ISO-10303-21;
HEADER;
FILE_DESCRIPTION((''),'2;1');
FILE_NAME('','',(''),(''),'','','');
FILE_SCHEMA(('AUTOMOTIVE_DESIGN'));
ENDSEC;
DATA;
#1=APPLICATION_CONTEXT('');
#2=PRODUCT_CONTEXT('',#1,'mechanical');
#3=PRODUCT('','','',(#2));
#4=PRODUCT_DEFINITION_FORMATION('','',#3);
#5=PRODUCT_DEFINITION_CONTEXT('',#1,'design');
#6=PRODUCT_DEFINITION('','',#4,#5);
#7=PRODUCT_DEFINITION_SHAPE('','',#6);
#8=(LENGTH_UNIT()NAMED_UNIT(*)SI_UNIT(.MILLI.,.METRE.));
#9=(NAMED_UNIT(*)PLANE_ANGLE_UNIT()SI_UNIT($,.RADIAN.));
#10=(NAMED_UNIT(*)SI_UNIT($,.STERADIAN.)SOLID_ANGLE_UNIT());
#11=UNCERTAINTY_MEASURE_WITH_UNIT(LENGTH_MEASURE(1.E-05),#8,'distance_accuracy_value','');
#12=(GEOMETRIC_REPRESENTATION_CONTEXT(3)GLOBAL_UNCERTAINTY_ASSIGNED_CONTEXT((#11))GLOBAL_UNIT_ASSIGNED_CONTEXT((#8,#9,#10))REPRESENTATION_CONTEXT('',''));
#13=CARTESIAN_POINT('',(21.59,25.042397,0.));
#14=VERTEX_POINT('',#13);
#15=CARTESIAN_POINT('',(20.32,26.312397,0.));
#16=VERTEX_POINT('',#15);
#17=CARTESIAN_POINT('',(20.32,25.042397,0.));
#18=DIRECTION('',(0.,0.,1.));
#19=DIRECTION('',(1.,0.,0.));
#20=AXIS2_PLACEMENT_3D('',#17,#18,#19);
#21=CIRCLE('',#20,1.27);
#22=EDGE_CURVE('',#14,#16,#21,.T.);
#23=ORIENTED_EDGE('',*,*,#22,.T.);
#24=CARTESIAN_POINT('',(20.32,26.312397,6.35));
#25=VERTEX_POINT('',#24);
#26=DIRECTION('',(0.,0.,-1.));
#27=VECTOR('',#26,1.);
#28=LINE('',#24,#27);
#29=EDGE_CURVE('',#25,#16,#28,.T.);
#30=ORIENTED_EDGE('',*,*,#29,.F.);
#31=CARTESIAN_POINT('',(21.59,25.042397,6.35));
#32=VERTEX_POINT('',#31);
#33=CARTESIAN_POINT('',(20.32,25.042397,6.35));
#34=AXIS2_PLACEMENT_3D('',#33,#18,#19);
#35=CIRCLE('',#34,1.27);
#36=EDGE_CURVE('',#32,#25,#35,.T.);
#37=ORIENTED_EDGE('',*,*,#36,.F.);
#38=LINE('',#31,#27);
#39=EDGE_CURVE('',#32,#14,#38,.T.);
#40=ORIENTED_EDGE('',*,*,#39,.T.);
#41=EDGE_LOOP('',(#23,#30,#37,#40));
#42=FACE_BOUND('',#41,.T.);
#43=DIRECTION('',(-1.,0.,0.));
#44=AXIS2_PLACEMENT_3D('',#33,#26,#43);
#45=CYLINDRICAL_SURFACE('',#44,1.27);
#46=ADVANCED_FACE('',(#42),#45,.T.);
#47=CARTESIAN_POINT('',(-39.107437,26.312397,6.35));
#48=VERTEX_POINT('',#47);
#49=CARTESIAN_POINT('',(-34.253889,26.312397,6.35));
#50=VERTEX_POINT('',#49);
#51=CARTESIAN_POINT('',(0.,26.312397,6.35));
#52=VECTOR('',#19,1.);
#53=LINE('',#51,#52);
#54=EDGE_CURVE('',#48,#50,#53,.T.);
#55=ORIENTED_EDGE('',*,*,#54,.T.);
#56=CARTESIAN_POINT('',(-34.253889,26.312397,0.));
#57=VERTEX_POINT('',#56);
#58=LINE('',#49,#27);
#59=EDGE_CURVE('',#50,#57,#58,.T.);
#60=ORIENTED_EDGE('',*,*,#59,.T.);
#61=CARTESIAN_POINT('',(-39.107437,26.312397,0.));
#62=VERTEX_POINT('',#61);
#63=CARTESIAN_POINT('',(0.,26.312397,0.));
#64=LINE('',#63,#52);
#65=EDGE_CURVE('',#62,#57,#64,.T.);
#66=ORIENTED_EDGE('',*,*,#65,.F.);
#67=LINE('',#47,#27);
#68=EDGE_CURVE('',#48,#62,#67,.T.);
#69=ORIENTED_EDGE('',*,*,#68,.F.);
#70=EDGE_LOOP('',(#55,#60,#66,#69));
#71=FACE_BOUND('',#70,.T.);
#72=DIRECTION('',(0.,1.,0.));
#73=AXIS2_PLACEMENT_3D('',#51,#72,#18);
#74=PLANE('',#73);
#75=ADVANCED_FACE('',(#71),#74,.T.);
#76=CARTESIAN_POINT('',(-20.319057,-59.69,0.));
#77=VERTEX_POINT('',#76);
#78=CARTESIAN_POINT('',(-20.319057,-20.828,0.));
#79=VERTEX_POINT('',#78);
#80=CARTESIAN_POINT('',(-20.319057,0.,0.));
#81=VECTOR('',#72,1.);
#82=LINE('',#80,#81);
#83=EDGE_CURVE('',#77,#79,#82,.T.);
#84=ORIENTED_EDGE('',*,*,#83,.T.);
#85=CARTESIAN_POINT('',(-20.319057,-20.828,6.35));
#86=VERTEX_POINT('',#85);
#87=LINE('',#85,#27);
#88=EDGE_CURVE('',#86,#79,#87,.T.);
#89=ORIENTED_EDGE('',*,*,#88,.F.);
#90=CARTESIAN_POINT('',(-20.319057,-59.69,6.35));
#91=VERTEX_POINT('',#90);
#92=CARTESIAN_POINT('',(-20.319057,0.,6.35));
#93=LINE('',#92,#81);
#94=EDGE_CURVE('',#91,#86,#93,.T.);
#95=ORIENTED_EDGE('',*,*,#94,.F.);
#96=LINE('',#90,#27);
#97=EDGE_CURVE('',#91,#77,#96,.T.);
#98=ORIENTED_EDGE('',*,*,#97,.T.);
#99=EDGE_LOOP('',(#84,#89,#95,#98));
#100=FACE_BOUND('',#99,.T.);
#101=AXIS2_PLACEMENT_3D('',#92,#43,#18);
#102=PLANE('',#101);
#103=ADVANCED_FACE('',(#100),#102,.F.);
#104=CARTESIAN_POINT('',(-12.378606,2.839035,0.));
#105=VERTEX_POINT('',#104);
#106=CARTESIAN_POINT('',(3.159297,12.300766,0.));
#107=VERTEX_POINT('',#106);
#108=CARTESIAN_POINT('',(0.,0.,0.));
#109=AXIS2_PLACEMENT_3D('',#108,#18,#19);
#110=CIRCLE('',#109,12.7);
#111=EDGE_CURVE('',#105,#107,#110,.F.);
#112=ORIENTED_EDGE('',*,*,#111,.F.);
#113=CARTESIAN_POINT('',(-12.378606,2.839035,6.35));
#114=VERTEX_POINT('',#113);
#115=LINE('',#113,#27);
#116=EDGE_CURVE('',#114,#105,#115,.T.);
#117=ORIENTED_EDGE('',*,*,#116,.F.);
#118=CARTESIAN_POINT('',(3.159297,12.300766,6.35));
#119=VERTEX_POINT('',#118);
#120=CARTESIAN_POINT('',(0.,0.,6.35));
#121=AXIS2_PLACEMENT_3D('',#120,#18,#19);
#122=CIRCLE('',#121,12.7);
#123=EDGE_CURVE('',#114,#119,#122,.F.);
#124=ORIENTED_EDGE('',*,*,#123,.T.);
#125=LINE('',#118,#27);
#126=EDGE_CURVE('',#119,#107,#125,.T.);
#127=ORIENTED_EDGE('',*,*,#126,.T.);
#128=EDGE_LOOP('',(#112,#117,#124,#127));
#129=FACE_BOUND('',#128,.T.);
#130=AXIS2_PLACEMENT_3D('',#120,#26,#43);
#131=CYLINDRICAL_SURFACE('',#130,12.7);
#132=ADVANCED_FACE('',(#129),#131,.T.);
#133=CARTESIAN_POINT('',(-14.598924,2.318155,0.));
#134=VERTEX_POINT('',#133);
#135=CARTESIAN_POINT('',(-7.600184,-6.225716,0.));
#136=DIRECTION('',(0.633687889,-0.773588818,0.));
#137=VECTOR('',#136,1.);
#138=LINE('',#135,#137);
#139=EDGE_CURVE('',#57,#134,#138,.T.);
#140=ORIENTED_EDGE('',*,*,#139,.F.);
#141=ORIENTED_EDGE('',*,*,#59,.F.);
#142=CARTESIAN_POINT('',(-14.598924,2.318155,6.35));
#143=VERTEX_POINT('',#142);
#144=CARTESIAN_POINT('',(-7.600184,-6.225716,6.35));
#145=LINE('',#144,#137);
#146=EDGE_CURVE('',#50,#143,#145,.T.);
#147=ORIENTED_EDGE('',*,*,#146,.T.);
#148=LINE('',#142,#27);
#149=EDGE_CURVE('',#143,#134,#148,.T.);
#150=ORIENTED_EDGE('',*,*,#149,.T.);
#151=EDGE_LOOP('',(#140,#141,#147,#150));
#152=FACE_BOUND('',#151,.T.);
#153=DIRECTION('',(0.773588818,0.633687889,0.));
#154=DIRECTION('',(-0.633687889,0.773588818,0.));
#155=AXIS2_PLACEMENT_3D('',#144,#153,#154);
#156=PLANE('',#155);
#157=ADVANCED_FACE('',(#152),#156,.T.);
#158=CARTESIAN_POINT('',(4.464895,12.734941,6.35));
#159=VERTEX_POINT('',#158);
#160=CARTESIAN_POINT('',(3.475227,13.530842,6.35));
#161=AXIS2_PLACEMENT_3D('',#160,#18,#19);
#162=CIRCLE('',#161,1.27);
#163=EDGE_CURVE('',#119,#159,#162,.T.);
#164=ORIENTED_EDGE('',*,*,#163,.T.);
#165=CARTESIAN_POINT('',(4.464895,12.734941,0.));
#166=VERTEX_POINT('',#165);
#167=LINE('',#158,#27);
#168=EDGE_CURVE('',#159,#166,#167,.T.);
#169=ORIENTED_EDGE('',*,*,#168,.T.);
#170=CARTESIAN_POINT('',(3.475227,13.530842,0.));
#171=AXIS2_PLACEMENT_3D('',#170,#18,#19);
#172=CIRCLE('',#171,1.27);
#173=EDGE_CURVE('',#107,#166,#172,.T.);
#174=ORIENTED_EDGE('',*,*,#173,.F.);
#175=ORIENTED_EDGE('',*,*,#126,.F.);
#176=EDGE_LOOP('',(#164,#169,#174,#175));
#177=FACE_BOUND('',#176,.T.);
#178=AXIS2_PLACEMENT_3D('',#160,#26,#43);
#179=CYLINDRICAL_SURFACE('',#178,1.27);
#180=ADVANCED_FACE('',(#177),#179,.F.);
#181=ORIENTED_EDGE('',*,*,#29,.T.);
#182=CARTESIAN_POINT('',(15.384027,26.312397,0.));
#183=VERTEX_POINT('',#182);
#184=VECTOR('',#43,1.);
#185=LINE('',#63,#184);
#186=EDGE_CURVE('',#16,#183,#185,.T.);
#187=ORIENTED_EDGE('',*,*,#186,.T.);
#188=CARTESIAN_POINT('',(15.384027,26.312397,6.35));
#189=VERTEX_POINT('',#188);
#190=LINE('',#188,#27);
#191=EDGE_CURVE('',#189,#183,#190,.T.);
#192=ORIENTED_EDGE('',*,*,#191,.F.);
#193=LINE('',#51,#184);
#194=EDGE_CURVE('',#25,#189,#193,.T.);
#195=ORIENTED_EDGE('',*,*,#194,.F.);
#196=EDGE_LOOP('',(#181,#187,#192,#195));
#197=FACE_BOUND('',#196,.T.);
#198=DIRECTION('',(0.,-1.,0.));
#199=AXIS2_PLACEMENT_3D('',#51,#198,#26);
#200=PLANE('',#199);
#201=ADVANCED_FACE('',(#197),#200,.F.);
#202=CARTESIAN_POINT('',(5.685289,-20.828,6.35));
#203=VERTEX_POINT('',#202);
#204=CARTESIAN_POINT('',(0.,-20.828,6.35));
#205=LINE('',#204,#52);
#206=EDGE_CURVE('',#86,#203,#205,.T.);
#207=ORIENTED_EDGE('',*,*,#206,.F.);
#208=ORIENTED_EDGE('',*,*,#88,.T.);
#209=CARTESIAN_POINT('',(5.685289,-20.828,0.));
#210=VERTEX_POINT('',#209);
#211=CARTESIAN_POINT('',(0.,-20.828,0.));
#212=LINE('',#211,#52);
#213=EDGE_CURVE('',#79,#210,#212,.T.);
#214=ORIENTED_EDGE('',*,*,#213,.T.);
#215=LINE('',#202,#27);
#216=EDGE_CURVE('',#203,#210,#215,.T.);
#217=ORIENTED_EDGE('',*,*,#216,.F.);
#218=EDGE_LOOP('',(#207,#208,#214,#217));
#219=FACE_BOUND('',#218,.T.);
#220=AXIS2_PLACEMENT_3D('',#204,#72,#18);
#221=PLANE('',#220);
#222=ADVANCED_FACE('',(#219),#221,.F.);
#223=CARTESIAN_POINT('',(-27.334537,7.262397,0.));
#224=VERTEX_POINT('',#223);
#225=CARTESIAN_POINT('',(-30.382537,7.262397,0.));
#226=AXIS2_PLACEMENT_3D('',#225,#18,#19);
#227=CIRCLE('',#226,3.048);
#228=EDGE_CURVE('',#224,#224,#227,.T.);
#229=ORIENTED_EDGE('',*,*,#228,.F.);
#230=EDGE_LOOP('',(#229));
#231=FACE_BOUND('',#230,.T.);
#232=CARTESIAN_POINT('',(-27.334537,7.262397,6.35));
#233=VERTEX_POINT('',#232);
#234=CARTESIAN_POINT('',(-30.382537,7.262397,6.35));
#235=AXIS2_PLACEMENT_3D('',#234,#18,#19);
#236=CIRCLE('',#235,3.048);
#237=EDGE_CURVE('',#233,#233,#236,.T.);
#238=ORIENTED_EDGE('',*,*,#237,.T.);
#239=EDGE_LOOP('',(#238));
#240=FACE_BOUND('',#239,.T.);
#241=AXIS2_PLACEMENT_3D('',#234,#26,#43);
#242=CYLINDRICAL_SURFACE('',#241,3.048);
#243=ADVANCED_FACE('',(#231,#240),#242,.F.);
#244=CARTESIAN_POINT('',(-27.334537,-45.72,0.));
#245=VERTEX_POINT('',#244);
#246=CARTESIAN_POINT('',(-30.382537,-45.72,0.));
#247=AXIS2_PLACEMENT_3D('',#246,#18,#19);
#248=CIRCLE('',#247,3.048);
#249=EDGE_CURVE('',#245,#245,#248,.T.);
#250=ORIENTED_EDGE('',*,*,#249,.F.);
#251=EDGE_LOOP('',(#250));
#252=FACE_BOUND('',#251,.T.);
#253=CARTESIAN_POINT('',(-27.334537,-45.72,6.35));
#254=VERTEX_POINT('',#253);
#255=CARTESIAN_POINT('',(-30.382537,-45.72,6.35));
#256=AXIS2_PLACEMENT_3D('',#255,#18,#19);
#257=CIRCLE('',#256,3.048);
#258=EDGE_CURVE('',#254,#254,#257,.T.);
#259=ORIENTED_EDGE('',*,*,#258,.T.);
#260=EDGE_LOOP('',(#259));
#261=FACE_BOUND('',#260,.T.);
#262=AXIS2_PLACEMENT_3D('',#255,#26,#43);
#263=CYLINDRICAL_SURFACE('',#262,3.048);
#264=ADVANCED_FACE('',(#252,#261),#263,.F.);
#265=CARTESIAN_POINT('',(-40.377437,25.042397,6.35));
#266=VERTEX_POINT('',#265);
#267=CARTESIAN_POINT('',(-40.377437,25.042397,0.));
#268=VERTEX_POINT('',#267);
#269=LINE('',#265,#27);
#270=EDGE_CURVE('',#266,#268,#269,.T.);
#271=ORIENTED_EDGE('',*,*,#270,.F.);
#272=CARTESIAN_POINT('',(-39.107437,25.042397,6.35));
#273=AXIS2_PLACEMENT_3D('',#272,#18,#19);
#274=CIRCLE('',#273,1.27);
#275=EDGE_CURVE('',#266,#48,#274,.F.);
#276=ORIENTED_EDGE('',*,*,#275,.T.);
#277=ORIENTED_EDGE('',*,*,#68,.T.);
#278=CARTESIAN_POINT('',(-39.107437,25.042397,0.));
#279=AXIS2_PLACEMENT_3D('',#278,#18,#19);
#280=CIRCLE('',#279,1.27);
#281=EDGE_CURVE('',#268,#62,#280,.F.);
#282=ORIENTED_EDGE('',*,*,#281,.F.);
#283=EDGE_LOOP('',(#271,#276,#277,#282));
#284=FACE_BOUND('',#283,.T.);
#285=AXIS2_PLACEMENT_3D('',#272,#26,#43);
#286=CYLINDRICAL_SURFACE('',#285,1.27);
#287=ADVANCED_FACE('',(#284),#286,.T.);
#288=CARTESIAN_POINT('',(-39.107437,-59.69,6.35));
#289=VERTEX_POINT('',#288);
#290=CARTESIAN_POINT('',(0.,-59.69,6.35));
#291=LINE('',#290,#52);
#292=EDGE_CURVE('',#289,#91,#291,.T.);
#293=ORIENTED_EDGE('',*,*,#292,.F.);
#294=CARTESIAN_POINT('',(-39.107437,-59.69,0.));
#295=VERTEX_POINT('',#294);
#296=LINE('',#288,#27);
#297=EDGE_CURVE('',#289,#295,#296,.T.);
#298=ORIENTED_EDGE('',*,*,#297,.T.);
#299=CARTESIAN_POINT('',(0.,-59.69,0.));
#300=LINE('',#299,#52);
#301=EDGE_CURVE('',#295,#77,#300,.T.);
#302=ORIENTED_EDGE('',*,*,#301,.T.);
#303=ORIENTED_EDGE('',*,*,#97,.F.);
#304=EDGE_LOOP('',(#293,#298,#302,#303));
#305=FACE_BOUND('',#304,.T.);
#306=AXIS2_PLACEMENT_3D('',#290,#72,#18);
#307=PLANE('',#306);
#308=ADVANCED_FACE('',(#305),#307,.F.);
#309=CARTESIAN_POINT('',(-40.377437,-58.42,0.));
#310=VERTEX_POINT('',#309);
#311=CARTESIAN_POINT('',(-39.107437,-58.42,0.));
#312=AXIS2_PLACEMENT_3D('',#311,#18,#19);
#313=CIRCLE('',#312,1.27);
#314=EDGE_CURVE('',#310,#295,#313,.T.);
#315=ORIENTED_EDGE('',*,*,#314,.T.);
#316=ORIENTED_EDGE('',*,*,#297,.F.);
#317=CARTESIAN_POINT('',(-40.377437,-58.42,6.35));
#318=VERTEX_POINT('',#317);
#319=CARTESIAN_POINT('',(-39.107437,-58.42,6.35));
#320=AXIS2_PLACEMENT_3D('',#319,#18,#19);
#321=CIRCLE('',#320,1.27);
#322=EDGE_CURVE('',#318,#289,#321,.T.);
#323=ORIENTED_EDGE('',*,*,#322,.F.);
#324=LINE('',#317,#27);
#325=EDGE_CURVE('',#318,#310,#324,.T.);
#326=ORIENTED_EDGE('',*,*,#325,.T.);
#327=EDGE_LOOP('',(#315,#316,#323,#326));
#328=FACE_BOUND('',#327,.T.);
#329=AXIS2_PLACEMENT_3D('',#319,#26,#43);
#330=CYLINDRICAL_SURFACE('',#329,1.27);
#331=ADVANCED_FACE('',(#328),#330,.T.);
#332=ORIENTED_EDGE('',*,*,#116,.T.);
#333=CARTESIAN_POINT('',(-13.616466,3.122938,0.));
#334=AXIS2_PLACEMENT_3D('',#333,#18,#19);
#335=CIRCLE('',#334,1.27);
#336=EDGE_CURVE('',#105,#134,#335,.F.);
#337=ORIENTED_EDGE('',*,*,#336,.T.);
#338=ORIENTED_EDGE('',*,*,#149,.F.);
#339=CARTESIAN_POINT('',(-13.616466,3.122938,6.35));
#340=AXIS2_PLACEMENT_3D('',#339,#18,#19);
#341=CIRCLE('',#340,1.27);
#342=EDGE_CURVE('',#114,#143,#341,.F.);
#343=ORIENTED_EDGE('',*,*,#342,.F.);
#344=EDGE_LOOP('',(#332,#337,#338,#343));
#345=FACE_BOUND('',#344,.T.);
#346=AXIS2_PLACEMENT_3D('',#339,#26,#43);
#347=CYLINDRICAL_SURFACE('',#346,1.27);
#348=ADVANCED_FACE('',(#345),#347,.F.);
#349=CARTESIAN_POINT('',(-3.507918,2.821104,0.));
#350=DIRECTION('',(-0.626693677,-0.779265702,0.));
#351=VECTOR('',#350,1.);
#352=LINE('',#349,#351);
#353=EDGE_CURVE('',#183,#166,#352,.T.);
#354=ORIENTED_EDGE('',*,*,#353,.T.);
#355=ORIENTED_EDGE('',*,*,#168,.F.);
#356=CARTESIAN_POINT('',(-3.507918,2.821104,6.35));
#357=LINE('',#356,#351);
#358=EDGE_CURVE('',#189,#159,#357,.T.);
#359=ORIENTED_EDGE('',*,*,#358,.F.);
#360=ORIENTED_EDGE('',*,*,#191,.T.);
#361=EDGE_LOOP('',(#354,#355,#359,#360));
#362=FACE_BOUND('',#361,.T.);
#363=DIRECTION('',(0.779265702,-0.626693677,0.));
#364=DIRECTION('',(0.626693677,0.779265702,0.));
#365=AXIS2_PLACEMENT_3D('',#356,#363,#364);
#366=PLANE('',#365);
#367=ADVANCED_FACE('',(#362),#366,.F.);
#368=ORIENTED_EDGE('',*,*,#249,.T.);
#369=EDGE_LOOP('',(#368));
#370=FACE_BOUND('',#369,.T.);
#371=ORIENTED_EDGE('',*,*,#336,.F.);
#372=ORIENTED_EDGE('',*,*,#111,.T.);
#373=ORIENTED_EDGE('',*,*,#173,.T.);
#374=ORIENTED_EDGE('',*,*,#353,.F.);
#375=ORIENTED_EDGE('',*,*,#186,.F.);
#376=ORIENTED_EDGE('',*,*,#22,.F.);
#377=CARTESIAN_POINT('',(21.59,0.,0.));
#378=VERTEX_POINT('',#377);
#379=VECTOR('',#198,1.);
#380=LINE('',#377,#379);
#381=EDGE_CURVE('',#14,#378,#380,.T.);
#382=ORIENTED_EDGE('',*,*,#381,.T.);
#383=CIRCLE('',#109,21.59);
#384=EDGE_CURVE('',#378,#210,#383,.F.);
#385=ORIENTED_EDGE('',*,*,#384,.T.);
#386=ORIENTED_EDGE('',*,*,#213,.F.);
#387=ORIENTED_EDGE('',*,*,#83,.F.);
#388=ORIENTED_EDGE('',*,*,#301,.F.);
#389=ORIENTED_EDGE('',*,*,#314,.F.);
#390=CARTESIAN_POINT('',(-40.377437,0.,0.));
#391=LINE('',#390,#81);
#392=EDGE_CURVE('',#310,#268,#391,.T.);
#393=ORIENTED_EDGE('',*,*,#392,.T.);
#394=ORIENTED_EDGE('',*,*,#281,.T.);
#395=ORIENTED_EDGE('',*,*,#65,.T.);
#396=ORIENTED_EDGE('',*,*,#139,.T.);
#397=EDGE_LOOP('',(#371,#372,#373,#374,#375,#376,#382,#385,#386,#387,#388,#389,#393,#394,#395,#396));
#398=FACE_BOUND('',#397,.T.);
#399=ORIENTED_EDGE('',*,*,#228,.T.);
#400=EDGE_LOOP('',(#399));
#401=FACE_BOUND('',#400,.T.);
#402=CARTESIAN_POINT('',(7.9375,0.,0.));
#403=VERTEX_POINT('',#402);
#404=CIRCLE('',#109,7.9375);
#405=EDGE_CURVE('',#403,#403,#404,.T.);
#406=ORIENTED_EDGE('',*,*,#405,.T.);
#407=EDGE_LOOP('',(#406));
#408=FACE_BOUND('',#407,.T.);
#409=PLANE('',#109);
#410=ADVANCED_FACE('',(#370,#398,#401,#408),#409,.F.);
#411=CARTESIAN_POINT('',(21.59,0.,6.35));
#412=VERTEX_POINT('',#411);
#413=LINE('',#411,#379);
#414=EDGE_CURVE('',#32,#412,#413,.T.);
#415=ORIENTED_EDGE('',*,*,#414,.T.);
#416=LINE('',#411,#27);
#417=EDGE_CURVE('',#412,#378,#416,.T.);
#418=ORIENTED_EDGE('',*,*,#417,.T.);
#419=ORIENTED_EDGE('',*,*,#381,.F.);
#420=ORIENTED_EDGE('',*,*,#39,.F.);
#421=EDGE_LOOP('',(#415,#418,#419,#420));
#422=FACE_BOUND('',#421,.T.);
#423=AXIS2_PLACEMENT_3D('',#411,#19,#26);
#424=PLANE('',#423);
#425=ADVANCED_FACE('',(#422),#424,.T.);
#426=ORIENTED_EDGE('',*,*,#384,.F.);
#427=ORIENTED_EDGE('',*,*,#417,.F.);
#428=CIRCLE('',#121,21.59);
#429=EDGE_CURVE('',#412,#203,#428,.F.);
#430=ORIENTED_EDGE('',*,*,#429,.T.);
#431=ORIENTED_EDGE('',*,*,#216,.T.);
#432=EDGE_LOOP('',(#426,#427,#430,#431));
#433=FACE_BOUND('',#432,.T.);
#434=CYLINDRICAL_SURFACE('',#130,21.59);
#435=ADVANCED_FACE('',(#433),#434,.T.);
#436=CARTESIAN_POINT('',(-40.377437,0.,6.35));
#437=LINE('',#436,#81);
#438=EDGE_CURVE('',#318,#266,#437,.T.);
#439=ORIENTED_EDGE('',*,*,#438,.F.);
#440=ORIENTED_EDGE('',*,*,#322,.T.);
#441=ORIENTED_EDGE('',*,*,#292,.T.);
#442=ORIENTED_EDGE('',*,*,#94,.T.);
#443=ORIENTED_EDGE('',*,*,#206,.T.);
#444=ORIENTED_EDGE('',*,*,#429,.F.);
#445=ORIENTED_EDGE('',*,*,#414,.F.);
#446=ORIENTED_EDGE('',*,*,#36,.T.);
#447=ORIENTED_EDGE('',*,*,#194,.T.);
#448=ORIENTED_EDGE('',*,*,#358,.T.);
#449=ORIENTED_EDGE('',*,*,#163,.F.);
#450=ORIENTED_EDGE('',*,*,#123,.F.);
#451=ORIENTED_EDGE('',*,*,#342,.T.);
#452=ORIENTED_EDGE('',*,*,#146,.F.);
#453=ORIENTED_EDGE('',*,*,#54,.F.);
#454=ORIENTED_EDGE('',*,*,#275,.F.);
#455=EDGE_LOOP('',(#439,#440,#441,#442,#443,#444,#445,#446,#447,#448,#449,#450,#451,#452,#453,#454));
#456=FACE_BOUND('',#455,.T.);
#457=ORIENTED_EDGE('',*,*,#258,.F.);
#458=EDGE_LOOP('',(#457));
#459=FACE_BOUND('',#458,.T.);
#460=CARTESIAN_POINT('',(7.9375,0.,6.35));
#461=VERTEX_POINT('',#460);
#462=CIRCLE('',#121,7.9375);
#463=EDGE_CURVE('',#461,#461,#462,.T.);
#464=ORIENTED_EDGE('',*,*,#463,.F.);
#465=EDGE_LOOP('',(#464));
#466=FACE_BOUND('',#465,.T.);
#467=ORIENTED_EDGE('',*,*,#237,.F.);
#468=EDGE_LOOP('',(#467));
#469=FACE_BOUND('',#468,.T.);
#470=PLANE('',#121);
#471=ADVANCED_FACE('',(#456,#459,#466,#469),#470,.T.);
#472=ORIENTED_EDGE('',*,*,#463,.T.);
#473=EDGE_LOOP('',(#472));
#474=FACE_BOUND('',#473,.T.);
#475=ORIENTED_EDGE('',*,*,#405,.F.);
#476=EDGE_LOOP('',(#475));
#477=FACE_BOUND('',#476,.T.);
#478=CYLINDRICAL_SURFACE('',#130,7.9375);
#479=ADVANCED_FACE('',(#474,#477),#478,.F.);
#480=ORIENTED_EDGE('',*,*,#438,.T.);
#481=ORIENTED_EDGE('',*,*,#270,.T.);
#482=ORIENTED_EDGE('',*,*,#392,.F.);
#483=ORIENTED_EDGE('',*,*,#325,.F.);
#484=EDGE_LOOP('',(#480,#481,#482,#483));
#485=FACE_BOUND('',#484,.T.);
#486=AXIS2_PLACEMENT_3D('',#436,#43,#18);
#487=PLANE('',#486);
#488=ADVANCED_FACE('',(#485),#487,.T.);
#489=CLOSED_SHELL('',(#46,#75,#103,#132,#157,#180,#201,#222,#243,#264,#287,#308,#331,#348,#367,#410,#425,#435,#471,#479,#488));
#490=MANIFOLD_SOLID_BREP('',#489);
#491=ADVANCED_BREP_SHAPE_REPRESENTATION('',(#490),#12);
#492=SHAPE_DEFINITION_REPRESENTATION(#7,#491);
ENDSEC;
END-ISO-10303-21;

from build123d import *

# Parameters (mm, degrees)
SKETCH1_R           = 3.048
SKETCH1_R_2         = 7.9375
BOSS_EXTRUDE1_DEPTH = 6.35


with BuildPart() as part:
    # Sketch1 → Boss-Extrude1 (new body)
    with BuildSketch(Plane.XY):
        with BuildLine():
            Line((21.59, 0), (21.59, 25.042396902))
            ThreePointArc((21.59, 25.042396902), (21.218025612, 25.940422514), (20.32, 26.312396902))
            Line((20.32, 26.312396902), (15.384027181, 26.312396902))
            Line((15.384027181, 26.312396902), (4.464894623, 12.734941429))
            ThreePointArc((4.464894623, 12.734941429), (3.875986132, 12.325731507), (3.159297438, 12.300765818))
            ThreePointArc((3.159297438, 12.300765818), (-6.605300924, 10.84711942), (-12.378605801, 2.839034768))
            ThreePointArc((-12.378605801, 2.839034768), (-13.326403154, 1.886506555), (-14.59892418, 2.318154625))
            Line((-14.59892418, 2.318154625), (-34.253888671, 26.312396902))
            Line((-34.253888671, 26.312396902), (-39.107436935, 26.312396902))
            ThreePointArc((-39.107436935, 26.312396902), (-40.005462547, 25.940422514), (-40.377436935, 25.042396902))
            Line((-40.377436935, 25.042396902), (-40.377436935, -58.42))
            ThreePointArc((-40.377436935, -58.42), (-40.005462547, -59.318025612), (-39.107436935, -59.69))
            Line((-39.107436935, -59.69), (-20.319056935, -59.69))
            Line((-20.319056935, -59.69), (-20.319056935, -20.828))
            Line((-20.319056935, -20.828), (5.685289439, -20.828))
            ThreePointArc((5.685289439, -20.828), (17.159159347, -13.103104613), (21.59, 0))
        make_face()
        with Locations((-30.382536935, 7.262396902)):
            Circle(SKETCH1_R, mode=Mode.SUBTRACT)
        Circle(SKETCH1_R_2, mode=Mode.SUBTRACT)
        with Locations((-30.382536935, -45.72)):
            Circle(SKETCH1_R, mode=Mode.SUBTRACT)
    extrude(amount=BOSS_EXTRUDE1_DEPTH)


solid = part.part
